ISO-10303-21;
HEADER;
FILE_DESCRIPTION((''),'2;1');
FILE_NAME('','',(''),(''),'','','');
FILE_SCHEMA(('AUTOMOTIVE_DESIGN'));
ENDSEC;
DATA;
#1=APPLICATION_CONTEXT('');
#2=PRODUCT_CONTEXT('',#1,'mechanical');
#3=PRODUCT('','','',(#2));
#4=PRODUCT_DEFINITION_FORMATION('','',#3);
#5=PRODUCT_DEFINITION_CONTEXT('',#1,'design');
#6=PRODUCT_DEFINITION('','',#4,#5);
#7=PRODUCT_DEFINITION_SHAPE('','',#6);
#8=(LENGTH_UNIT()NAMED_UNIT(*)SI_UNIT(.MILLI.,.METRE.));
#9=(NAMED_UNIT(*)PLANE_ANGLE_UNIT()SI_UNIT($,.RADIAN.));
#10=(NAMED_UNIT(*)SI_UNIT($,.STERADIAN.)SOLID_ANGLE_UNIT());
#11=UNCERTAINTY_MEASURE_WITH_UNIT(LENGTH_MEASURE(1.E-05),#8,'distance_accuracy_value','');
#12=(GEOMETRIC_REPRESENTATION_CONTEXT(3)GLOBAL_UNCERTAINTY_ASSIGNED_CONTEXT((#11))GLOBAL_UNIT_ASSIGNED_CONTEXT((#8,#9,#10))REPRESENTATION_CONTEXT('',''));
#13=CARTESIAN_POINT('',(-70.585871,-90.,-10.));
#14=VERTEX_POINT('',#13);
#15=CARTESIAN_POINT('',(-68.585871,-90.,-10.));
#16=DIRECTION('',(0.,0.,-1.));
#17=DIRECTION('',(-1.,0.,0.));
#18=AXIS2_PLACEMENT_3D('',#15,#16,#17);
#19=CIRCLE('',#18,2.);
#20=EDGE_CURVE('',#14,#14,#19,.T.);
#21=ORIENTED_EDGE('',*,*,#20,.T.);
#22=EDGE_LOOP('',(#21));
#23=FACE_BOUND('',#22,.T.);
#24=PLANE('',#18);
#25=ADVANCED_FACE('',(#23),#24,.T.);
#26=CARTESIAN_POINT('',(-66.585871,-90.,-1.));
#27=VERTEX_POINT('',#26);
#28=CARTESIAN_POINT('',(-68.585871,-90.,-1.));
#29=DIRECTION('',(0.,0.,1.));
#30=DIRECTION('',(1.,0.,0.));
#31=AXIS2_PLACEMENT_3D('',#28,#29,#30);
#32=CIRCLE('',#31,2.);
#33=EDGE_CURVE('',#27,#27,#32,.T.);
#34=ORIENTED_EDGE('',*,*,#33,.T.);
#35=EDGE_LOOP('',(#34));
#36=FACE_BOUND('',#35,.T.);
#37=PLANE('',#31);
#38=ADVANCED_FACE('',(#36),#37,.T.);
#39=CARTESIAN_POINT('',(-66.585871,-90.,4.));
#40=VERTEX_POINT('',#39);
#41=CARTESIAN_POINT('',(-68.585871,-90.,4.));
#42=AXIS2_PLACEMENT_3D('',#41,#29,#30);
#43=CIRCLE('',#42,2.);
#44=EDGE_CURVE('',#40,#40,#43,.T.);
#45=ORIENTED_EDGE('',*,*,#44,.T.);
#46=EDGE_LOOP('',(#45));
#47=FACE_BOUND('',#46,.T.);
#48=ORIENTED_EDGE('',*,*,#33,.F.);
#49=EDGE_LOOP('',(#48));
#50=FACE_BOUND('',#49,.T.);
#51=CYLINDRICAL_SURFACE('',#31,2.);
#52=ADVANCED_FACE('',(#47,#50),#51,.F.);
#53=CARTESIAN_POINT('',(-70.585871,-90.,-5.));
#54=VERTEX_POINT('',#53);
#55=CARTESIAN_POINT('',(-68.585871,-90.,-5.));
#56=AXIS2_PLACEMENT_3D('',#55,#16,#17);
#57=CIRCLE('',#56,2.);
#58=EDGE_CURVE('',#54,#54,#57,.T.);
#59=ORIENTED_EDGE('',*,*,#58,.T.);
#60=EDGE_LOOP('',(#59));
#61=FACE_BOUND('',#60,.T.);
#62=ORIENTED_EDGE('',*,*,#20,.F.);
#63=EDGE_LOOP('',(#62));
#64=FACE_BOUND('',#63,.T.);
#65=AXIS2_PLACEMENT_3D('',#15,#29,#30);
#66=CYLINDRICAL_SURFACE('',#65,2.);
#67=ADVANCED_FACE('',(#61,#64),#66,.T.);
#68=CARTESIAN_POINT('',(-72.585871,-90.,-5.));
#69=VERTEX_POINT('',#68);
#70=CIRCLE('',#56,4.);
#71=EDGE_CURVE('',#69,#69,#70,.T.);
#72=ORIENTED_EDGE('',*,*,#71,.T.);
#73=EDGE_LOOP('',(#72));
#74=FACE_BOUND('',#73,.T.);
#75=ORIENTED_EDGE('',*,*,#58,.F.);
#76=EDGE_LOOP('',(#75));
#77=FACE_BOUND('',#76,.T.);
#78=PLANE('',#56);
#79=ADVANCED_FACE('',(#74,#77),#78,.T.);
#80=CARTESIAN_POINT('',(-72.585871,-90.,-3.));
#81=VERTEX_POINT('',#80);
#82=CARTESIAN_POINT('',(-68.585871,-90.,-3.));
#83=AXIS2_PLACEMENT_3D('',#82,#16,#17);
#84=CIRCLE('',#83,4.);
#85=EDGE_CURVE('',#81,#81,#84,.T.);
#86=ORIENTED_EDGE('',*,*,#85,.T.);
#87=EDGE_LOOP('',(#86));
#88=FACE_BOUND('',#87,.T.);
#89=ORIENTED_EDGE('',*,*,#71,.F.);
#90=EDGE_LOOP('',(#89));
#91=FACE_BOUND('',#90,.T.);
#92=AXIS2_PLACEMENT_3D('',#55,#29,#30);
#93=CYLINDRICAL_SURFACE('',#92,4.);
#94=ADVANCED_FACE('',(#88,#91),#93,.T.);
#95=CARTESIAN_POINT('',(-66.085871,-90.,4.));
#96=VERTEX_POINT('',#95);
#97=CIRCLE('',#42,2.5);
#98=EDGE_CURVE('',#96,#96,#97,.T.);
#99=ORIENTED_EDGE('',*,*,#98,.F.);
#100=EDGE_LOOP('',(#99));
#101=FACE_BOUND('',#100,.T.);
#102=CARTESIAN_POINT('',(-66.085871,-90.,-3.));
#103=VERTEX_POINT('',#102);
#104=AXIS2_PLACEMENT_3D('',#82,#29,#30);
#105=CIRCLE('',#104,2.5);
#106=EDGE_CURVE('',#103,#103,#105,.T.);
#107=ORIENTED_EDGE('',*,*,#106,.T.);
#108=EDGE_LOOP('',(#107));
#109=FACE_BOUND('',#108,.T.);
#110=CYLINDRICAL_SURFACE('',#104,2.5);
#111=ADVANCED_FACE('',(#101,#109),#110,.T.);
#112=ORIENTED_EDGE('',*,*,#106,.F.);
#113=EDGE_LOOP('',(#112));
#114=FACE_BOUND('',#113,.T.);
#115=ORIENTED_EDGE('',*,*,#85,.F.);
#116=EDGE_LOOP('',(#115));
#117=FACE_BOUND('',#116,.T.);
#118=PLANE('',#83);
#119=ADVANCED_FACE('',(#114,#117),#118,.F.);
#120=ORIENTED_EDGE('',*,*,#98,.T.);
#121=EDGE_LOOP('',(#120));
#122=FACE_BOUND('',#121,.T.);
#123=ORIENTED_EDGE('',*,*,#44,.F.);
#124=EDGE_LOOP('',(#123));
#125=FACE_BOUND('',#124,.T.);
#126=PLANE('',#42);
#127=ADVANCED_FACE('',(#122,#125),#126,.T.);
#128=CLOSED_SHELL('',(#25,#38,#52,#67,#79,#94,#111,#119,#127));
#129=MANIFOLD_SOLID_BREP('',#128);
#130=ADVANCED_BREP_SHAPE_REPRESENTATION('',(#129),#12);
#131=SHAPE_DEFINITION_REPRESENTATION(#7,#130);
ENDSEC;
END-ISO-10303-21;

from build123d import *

# Parameters (mm, degrees)
BOSS_EXTRUDE1_DEPTH      = 4
BOSS_EXTRUDE1_DEPTH_BACK = 3
SKETCH1_R                = 2.5
SKETCH2_R                = 4
BOSS_EXTRUDE2_DEPTH      = 2
SKETCH3_R                = 2
CUT_EXTRUDE1_DEPTH       = 5
SKETCH4_R                = 2
BOSS_EXTRUDE3_DEPTH      = 5


with BuildPart() as part:
    # Sketch1 → Boss-Extrude1 (new, two sides: drawn at the far end of the back side and taken through both)
    with BuildSketch(Plane.XY.offset(-BOSS_EXTRUDE1_DEPTH_BACK)):
        with Locations((-68.585871194, -90)):
            Circle(SKETCH1_R)
    extrude(amount=BOSS_EXTRUDE1_DEPTH + BOSS_EXTRUDE1_DEPTH_BACK)

    # Sketch2 → Boss-Extrude2 (add)
    with BuildSketch(Plane(origin=(0, 0, -3), x_dir=(-1, 0, 0), z_dir=(0, 0, -1))):
        with Locations((68.585871194, -90)):
            Circle(SKETCH2_R)
    extrude(amount=BOSS_EXTRUDE2_DEPTH)

    # Sketch3 → Cut-Extrude1 (cut)
    with BuildSketch(Plane.XY.offset(4)):
        with Locations((-68.585871194, -90)):
            Circle(SKETCH3_R)
    extrude(amount=-CUT_EXTRUDE1_DEPTH, mode=Mode.SUBTRACT)

    # Sketch4 → Boss-Extrude3 (add)
    with BuildSketch(Plane(origin=(0, 0, -5), x_dir=(-1, 0, 0), z_dir=(0, 0, -1))):
        with Locations((68.585871194, -90)):
            Circle(SKETCH4_R)
    extrude(amount=BOSS_EXTRUDE3_DEPTH)


solid = part.part
